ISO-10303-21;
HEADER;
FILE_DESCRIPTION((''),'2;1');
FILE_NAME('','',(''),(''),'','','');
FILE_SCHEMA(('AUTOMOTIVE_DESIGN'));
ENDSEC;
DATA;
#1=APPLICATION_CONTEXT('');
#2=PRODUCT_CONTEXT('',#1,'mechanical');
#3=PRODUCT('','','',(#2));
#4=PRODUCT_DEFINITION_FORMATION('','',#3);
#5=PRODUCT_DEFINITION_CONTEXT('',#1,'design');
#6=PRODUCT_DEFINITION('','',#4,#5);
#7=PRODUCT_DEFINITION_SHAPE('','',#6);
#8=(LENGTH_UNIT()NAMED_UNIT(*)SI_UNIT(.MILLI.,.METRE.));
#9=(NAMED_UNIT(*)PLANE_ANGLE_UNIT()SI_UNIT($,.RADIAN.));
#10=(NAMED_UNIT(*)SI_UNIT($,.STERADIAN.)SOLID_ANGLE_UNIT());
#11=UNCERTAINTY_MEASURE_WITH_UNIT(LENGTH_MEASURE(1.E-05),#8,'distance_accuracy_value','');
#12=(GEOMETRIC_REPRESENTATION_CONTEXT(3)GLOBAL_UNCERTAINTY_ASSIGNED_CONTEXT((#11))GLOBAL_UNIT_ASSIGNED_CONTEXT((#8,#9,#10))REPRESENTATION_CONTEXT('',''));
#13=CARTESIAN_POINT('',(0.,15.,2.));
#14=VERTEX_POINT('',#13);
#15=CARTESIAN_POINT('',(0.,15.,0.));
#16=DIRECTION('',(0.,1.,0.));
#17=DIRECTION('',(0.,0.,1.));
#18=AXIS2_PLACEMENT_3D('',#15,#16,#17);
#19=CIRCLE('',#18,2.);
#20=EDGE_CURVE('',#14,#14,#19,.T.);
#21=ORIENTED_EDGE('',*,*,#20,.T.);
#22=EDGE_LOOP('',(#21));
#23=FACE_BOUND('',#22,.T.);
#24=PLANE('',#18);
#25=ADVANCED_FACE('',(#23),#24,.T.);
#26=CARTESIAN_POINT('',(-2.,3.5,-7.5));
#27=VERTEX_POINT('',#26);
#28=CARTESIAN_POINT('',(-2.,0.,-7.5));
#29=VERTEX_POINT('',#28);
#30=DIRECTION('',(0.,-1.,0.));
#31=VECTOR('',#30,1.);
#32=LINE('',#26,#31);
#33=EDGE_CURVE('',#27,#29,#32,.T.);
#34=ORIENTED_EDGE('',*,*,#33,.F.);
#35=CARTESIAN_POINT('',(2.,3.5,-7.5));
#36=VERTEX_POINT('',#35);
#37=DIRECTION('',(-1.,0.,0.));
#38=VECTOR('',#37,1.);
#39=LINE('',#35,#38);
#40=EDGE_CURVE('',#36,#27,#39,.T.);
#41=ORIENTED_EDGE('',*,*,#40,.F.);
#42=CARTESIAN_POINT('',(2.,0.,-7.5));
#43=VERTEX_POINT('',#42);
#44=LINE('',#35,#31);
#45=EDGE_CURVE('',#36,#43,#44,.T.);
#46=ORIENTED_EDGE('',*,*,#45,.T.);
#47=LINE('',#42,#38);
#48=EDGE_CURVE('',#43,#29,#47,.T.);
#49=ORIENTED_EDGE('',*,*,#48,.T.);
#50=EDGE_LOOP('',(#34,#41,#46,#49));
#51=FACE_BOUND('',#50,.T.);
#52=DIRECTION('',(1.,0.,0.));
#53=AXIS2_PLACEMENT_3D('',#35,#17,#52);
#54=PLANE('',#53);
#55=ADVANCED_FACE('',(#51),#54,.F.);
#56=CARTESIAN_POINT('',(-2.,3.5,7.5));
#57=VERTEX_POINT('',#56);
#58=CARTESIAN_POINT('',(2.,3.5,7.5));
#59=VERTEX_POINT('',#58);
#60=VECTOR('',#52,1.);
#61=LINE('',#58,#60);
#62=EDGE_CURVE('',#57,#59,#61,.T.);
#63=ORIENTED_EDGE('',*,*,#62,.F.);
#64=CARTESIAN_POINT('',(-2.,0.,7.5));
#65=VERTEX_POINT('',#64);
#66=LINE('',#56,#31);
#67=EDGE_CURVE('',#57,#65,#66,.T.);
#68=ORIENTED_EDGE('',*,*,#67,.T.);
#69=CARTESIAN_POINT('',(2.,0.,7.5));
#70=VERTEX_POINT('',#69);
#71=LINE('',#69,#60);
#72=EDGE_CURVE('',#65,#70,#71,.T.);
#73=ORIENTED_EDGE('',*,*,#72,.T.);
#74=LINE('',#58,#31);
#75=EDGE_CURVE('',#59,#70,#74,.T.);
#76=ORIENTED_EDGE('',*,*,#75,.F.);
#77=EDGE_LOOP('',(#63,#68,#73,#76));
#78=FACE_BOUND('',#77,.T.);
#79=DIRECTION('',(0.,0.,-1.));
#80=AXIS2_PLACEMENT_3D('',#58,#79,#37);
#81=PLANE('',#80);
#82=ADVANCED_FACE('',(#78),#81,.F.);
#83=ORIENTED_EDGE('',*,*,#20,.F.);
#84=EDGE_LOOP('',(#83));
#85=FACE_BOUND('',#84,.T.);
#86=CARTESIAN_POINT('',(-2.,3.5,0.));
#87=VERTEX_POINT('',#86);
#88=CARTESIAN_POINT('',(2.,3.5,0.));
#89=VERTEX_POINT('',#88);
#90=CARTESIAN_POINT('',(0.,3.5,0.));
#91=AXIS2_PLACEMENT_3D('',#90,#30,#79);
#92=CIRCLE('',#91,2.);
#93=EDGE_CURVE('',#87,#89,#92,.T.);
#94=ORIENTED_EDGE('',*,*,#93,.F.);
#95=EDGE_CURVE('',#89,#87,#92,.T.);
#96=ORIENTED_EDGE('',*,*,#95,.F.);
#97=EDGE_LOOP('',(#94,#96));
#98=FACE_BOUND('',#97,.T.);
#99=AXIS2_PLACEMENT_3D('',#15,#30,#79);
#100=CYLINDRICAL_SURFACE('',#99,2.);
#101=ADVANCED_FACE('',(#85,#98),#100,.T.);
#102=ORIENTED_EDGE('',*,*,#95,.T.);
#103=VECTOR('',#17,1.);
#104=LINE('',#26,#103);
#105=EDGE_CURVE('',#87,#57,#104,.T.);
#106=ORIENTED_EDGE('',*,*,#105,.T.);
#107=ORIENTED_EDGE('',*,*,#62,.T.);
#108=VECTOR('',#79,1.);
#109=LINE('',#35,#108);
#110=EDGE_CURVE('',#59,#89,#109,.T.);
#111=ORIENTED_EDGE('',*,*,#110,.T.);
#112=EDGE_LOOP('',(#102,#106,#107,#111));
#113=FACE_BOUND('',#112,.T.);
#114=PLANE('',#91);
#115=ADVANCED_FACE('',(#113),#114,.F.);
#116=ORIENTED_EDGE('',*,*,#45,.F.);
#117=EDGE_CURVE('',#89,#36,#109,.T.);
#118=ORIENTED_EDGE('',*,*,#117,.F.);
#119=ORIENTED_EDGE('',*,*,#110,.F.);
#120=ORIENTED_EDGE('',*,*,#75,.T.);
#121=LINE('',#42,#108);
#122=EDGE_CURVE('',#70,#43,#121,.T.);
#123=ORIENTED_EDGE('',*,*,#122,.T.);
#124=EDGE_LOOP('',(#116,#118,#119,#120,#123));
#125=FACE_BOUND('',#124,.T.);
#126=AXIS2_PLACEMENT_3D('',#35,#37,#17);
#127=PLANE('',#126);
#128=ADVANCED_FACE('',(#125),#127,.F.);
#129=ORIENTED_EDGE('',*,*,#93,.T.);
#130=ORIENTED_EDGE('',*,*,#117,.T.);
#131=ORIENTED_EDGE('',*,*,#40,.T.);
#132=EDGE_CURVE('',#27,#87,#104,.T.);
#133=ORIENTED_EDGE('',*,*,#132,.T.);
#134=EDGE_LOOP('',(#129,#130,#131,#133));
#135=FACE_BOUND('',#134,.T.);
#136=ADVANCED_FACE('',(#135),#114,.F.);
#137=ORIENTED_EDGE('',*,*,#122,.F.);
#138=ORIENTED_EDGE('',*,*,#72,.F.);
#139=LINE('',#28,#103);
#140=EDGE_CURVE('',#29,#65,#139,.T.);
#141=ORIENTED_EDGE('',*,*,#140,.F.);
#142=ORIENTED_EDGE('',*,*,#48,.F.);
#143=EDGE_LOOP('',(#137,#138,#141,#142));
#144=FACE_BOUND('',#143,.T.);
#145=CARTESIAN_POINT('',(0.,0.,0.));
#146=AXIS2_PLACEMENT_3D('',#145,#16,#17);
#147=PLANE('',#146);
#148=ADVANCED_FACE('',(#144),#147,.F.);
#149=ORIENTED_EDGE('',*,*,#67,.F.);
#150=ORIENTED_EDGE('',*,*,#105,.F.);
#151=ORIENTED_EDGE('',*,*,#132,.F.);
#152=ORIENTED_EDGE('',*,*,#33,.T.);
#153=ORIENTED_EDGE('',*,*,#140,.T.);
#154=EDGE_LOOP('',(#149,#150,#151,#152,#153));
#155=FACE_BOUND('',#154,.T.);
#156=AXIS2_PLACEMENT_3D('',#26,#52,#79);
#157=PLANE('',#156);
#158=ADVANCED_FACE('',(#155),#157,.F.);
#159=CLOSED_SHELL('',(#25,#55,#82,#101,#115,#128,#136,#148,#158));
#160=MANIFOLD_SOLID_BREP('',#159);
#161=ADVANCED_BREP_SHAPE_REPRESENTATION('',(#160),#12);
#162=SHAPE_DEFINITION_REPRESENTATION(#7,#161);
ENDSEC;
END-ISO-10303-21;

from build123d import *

# Parameters (mm, degrees)
CROQUIS1_R              = 2
SALIENTE_EXTRUIR1_DEPTH = 15
CROQUIS2_W              = 4
CROQUIS2_H              = 15
SALIENTE_EXTRUIR2_DEPTH = 3.5


with BuildPart() as part:
    # Croquis1 → Saliente-Extruir1 (new body)
    with BuildSketch(Plane(origin=(0, 0, 0), x_dir=(1, 0, 0), z_dir=(0, 1, 0))):
        Circle(CROQUIS1_R)
    extrude(amount=SALIENTE_EXTRUIR1_DEPTH)

    # Croquis2 → Saliente-Extruir2 (add)
    with BuildSketch(Plane(origin=(0, 0, 0), x_dir=(1, 0, 0), z_dir=(0, 1, 0))):
        Rectangle(CROQUIS2_W, CROQUIS2_H)
    extrude(amount=SALIENTE_EXTRUIR2_DEPTH)


solid = part.part
